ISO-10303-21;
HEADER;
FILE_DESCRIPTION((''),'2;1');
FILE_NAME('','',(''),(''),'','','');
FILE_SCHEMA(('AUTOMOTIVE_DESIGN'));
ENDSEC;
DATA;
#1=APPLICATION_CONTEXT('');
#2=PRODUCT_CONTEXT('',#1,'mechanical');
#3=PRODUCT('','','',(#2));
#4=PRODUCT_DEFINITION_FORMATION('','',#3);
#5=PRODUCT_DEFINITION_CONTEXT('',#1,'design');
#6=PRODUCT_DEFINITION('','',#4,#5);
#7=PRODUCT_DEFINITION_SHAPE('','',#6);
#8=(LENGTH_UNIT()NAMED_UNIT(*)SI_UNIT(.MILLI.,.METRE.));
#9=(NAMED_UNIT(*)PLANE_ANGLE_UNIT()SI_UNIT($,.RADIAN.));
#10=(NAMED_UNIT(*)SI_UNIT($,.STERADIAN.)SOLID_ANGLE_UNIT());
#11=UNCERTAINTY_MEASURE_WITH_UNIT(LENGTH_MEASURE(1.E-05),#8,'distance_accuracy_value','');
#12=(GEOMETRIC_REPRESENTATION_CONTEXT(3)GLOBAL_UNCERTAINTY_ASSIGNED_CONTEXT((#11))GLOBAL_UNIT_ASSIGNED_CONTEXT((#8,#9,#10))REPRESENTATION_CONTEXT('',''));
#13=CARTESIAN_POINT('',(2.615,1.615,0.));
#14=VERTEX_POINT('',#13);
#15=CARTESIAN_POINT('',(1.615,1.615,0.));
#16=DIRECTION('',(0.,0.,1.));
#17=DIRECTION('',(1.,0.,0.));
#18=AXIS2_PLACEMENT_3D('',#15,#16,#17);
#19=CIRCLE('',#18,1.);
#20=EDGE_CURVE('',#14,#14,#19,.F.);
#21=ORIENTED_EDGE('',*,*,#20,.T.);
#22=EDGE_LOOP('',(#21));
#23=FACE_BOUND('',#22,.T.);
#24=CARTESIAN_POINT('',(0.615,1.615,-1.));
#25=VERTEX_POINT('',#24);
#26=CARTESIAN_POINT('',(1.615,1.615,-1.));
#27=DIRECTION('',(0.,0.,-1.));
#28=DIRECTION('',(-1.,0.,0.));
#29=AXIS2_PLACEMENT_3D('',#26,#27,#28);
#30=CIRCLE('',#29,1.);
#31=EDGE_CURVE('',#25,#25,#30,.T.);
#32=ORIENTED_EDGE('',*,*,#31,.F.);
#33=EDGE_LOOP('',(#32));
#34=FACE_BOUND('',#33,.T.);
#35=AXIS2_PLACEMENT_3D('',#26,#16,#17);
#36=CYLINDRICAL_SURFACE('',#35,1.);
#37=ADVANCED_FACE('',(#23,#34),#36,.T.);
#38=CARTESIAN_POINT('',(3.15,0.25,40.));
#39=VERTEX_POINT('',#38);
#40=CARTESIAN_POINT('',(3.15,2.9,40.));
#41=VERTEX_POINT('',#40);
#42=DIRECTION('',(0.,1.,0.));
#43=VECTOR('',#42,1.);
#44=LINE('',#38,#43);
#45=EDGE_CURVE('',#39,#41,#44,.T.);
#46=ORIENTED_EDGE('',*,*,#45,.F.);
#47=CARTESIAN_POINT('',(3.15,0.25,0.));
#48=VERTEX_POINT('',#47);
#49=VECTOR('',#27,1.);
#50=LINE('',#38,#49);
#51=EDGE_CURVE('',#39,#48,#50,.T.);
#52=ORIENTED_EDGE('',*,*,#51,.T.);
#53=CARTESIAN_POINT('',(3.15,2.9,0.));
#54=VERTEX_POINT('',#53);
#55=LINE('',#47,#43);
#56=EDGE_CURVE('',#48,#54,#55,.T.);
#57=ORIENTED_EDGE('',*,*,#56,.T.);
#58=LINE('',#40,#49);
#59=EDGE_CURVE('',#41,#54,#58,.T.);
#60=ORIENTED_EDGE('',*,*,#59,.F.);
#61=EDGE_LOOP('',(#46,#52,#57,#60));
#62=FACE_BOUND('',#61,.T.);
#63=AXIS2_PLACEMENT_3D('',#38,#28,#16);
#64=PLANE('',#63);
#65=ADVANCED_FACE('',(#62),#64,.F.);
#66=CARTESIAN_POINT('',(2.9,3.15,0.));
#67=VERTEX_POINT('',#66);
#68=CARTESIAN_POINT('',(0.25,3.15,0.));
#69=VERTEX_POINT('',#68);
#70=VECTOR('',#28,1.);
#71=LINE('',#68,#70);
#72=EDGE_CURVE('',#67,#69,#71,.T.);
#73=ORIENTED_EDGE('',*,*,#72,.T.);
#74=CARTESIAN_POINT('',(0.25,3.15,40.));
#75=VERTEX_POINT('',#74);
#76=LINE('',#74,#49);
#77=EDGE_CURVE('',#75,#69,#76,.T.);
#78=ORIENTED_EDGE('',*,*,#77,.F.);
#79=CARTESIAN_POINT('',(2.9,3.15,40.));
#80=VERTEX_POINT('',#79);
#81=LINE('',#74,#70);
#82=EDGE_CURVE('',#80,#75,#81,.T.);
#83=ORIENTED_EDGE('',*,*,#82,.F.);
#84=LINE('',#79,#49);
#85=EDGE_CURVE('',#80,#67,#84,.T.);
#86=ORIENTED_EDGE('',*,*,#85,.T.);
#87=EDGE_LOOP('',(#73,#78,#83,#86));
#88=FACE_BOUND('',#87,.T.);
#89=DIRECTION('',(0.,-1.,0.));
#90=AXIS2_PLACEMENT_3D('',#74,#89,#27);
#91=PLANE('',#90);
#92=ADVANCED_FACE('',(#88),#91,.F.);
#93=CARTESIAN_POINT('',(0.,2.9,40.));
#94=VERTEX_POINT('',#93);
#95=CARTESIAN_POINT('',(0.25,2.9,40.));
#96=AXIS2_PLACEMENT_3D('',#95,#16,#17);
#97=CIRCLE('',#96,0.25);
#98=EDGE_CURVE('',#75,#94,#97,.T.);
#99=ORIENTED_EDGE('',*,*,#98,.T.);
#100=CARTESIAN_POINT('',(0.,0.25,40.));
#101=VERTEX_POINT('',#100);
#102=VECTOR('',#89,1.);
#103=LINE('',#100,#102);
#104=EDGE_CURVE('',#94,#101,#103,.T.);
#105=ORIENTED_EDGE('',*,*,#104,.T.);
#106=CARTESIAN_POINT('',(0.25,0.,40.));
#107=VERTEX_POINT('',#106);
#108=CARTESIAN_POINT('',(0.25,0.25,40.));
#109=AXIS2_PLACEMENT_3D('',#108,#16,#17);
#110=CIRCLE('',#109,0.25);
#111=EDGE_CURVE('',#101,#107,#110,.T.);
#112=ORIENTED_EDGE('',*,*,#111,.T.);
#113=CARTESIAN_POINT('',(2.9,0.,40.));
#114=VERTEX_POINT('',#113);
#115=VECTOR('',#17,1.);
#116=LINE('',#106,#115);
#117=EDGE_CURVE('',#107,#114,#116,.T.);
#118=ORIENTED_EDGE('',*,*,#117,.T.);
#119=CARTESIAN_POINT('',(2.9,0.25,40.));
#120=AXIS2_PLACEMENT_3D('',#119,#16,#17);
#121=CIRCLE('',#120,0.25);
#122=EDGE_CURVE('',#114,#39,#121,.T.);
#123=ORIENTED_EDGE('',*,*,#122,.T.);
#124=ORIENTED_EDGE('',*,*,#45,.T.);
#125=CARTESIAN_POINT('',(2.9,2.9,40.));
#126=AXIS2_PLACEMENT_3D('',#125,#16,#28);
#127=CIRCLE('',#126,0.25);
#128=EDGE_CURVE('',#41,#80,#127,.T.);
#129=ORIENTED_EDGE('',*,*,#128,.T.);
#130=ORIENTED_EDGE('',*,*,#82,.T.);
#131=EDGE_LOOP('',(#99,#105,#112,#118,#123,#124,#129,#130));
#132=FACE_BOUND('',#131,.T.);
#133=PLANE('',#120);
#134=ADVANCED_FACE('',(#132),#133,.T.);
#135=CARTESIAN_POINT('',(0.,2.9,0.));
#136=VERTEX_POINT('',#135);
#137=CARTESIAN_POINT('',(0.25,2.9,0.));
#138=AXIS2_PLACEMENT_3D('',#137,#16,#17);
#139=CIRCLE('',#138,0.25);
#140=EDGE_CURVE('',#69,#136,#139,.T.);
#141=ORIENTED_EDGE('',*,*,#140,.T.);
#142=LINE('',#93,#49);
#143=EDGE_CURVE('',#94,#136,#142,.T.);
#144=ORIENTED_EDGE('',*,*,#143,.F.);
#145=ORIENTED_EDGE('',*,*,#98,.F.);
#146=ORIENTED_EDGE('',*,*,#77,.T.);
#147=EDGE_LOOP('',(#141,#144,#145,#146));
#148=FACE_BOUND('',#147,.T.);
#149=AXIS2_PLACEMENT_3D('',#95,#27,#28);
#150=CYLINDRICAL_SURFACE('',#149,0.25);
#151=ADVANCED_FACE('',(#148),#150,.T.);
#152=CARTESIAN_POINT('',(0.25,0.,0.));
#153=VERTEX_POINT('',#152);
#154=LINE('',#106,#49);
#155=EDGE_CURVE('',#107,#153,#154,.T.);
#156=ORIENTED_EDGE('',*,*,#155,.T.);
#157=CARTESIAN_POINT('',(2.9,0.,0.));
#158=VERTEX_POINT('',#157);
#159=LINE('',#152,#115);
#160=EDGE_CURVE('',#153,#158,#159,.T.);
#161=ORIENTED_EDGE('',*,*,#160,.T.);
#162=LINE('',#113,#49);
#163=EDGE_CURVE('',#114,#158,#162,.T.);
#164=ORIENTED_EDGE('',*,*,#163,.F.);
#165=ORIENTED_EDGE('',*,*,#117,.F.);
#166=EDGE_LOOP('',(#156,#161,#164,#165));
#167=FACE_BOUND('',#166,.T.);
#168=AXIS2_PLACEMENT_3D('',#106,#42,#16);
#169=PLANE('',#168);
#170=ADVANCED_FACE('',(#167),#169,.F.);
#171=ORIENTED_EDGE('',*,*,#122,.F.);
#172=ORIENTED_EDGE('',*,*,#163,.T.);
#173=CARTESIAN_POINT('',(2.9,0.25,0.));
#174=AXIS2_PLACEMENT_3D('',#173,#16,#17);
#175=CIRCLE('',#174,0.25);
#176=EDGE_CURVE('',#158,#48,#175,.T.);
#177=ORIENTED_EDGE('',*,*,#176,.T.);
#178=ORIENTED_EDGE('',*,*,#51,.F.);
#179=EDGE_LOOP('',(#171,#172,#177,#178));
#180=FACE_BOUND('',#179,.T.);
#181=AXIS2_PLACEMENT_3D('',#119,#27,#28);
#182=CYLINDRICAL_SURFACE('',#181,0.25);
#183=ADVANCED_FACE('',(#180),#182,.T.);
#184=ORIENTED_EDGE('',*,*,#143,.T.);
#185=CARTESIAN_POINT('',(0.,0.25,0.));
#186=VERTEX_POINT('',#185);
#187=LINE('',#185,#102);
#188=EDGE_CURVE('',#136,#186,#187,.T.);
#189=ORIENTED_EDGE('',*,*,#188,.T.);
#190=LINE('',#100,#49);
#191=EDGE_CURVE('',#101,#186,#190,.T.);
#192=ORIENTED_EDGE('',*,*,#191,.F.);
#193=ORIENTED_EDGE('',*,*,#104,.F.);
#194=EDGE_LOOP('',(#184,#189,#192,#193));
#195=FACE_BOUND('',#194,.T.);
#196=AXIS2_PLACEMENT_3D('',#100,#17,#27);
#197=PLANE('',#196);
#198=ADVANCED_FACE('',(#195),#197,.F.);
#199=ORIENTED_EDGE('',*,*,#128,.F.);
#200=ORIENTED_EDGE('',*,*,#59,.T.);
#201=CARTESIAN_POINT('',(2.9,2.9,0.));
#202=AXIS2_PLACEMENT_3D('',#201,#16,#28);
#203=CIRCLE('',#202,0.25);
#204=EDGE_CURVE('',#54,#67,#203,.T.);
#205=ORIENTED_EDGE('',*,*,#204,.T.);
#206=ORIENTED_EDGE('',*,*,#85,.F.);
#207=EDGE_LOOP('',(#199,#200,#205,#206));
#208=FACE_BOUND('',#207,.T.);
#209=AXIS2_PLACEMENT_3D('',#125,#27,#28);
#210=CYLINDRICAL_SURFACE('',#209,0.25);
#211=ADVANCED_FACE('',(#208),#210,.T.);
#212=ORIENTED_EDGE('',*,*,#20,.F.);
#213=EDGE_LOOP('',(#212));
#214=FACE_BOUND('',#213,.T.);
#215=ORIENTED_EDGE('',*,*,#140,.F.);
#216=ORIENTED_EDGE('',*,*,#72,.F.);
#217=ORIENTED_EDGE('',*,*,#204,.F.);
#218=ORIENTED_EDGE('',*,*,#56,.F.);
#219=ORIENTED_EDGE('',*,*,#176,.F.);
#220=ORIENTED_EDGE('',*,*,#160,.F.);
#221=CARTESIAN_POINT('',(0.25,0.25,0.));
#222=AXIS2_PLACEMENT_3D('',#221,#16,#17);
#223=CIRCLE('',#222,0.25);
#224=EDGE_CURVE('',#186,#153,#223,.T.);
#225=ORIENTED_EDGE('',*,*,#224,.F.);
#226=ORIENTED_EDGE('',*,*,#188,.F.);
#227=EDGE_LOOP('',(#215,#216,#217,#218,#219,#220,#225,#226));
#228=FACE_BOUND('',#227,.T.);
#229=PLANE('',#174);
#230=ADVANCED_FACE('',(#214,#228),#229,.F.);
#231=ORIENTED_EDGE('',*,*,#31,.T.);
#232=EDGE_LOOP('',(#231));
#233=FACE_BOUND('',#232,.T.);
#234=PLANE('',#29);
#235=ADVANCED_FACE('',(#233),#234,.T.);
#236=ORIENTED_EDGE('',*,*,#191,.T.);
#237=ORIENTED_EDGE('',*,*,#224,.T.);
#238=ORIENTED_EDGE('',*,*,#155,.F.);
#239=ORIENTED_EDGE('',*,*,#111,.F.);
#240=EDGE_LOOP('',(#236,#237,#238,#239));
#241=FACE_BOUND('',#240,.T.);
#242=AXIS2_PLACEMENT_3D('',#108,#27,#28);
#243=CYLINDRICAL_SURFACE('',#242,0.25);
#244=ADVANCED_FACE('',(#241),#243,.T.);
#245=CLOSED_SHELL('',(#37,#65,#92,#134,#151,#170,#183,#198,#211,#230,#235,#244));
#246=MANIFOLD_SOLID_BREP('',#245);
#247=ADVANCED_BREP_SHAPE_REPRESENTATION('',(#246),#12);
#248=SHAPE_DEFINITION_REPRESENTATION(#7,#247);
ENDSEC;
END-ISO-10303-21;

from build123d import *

# Parameters (mm, degrees)
BOSS_EXTRUDE1_DEPTH = 40
SKETCH3_R           = 1
BOSS_EXTRUDE2_DEPTH = 1


with BuildPart() as part:
    # Sketch2 → Boss-Extrude1 (new body)
    with BuildSketch(Plane.XY):
        with BuildLine():
            Line((0.25, 0), (2.9, 0))
            ThreePointArc((2.9, 0), (3.076776695, 0.073223305), (3.15, 0.25))
            Line((3.15, 0.25), (3.15, 2.9))
            ThreePointArc((3.15, 2.9), (3.076776695, 3.076776695), (2.9, 3.15))
            Line((2.9, 3.15), (0.25, 3.15))
            ThreePointArc((0.25, 3.15), (0.073223305, 3.076776695), (0, 2.9))
            Line((0, 2.9), (0, 0.25))
            ThreePointArc((0, 0.25), (0.073223305, 0.073223305), (0.25, 0))
        make_face()
    extrude(amount=BOSS_EXTRUDE1_DEPTH)

    # Sketch3 → Boss-Extrude2 (add)
    with BuildSketch(Plane(origin=(0, 0, 0), x_dir=(-1, 0, 0), z_dir=(0, 0, -1))):
        with Locations(Location((-1.615, 1.615, 0), (0, 0, 180))):
            Circle(SKETCH3_R)
    extrude(amount=BOSS_EXTRUDE2_DEPTH)


solid = part.part
